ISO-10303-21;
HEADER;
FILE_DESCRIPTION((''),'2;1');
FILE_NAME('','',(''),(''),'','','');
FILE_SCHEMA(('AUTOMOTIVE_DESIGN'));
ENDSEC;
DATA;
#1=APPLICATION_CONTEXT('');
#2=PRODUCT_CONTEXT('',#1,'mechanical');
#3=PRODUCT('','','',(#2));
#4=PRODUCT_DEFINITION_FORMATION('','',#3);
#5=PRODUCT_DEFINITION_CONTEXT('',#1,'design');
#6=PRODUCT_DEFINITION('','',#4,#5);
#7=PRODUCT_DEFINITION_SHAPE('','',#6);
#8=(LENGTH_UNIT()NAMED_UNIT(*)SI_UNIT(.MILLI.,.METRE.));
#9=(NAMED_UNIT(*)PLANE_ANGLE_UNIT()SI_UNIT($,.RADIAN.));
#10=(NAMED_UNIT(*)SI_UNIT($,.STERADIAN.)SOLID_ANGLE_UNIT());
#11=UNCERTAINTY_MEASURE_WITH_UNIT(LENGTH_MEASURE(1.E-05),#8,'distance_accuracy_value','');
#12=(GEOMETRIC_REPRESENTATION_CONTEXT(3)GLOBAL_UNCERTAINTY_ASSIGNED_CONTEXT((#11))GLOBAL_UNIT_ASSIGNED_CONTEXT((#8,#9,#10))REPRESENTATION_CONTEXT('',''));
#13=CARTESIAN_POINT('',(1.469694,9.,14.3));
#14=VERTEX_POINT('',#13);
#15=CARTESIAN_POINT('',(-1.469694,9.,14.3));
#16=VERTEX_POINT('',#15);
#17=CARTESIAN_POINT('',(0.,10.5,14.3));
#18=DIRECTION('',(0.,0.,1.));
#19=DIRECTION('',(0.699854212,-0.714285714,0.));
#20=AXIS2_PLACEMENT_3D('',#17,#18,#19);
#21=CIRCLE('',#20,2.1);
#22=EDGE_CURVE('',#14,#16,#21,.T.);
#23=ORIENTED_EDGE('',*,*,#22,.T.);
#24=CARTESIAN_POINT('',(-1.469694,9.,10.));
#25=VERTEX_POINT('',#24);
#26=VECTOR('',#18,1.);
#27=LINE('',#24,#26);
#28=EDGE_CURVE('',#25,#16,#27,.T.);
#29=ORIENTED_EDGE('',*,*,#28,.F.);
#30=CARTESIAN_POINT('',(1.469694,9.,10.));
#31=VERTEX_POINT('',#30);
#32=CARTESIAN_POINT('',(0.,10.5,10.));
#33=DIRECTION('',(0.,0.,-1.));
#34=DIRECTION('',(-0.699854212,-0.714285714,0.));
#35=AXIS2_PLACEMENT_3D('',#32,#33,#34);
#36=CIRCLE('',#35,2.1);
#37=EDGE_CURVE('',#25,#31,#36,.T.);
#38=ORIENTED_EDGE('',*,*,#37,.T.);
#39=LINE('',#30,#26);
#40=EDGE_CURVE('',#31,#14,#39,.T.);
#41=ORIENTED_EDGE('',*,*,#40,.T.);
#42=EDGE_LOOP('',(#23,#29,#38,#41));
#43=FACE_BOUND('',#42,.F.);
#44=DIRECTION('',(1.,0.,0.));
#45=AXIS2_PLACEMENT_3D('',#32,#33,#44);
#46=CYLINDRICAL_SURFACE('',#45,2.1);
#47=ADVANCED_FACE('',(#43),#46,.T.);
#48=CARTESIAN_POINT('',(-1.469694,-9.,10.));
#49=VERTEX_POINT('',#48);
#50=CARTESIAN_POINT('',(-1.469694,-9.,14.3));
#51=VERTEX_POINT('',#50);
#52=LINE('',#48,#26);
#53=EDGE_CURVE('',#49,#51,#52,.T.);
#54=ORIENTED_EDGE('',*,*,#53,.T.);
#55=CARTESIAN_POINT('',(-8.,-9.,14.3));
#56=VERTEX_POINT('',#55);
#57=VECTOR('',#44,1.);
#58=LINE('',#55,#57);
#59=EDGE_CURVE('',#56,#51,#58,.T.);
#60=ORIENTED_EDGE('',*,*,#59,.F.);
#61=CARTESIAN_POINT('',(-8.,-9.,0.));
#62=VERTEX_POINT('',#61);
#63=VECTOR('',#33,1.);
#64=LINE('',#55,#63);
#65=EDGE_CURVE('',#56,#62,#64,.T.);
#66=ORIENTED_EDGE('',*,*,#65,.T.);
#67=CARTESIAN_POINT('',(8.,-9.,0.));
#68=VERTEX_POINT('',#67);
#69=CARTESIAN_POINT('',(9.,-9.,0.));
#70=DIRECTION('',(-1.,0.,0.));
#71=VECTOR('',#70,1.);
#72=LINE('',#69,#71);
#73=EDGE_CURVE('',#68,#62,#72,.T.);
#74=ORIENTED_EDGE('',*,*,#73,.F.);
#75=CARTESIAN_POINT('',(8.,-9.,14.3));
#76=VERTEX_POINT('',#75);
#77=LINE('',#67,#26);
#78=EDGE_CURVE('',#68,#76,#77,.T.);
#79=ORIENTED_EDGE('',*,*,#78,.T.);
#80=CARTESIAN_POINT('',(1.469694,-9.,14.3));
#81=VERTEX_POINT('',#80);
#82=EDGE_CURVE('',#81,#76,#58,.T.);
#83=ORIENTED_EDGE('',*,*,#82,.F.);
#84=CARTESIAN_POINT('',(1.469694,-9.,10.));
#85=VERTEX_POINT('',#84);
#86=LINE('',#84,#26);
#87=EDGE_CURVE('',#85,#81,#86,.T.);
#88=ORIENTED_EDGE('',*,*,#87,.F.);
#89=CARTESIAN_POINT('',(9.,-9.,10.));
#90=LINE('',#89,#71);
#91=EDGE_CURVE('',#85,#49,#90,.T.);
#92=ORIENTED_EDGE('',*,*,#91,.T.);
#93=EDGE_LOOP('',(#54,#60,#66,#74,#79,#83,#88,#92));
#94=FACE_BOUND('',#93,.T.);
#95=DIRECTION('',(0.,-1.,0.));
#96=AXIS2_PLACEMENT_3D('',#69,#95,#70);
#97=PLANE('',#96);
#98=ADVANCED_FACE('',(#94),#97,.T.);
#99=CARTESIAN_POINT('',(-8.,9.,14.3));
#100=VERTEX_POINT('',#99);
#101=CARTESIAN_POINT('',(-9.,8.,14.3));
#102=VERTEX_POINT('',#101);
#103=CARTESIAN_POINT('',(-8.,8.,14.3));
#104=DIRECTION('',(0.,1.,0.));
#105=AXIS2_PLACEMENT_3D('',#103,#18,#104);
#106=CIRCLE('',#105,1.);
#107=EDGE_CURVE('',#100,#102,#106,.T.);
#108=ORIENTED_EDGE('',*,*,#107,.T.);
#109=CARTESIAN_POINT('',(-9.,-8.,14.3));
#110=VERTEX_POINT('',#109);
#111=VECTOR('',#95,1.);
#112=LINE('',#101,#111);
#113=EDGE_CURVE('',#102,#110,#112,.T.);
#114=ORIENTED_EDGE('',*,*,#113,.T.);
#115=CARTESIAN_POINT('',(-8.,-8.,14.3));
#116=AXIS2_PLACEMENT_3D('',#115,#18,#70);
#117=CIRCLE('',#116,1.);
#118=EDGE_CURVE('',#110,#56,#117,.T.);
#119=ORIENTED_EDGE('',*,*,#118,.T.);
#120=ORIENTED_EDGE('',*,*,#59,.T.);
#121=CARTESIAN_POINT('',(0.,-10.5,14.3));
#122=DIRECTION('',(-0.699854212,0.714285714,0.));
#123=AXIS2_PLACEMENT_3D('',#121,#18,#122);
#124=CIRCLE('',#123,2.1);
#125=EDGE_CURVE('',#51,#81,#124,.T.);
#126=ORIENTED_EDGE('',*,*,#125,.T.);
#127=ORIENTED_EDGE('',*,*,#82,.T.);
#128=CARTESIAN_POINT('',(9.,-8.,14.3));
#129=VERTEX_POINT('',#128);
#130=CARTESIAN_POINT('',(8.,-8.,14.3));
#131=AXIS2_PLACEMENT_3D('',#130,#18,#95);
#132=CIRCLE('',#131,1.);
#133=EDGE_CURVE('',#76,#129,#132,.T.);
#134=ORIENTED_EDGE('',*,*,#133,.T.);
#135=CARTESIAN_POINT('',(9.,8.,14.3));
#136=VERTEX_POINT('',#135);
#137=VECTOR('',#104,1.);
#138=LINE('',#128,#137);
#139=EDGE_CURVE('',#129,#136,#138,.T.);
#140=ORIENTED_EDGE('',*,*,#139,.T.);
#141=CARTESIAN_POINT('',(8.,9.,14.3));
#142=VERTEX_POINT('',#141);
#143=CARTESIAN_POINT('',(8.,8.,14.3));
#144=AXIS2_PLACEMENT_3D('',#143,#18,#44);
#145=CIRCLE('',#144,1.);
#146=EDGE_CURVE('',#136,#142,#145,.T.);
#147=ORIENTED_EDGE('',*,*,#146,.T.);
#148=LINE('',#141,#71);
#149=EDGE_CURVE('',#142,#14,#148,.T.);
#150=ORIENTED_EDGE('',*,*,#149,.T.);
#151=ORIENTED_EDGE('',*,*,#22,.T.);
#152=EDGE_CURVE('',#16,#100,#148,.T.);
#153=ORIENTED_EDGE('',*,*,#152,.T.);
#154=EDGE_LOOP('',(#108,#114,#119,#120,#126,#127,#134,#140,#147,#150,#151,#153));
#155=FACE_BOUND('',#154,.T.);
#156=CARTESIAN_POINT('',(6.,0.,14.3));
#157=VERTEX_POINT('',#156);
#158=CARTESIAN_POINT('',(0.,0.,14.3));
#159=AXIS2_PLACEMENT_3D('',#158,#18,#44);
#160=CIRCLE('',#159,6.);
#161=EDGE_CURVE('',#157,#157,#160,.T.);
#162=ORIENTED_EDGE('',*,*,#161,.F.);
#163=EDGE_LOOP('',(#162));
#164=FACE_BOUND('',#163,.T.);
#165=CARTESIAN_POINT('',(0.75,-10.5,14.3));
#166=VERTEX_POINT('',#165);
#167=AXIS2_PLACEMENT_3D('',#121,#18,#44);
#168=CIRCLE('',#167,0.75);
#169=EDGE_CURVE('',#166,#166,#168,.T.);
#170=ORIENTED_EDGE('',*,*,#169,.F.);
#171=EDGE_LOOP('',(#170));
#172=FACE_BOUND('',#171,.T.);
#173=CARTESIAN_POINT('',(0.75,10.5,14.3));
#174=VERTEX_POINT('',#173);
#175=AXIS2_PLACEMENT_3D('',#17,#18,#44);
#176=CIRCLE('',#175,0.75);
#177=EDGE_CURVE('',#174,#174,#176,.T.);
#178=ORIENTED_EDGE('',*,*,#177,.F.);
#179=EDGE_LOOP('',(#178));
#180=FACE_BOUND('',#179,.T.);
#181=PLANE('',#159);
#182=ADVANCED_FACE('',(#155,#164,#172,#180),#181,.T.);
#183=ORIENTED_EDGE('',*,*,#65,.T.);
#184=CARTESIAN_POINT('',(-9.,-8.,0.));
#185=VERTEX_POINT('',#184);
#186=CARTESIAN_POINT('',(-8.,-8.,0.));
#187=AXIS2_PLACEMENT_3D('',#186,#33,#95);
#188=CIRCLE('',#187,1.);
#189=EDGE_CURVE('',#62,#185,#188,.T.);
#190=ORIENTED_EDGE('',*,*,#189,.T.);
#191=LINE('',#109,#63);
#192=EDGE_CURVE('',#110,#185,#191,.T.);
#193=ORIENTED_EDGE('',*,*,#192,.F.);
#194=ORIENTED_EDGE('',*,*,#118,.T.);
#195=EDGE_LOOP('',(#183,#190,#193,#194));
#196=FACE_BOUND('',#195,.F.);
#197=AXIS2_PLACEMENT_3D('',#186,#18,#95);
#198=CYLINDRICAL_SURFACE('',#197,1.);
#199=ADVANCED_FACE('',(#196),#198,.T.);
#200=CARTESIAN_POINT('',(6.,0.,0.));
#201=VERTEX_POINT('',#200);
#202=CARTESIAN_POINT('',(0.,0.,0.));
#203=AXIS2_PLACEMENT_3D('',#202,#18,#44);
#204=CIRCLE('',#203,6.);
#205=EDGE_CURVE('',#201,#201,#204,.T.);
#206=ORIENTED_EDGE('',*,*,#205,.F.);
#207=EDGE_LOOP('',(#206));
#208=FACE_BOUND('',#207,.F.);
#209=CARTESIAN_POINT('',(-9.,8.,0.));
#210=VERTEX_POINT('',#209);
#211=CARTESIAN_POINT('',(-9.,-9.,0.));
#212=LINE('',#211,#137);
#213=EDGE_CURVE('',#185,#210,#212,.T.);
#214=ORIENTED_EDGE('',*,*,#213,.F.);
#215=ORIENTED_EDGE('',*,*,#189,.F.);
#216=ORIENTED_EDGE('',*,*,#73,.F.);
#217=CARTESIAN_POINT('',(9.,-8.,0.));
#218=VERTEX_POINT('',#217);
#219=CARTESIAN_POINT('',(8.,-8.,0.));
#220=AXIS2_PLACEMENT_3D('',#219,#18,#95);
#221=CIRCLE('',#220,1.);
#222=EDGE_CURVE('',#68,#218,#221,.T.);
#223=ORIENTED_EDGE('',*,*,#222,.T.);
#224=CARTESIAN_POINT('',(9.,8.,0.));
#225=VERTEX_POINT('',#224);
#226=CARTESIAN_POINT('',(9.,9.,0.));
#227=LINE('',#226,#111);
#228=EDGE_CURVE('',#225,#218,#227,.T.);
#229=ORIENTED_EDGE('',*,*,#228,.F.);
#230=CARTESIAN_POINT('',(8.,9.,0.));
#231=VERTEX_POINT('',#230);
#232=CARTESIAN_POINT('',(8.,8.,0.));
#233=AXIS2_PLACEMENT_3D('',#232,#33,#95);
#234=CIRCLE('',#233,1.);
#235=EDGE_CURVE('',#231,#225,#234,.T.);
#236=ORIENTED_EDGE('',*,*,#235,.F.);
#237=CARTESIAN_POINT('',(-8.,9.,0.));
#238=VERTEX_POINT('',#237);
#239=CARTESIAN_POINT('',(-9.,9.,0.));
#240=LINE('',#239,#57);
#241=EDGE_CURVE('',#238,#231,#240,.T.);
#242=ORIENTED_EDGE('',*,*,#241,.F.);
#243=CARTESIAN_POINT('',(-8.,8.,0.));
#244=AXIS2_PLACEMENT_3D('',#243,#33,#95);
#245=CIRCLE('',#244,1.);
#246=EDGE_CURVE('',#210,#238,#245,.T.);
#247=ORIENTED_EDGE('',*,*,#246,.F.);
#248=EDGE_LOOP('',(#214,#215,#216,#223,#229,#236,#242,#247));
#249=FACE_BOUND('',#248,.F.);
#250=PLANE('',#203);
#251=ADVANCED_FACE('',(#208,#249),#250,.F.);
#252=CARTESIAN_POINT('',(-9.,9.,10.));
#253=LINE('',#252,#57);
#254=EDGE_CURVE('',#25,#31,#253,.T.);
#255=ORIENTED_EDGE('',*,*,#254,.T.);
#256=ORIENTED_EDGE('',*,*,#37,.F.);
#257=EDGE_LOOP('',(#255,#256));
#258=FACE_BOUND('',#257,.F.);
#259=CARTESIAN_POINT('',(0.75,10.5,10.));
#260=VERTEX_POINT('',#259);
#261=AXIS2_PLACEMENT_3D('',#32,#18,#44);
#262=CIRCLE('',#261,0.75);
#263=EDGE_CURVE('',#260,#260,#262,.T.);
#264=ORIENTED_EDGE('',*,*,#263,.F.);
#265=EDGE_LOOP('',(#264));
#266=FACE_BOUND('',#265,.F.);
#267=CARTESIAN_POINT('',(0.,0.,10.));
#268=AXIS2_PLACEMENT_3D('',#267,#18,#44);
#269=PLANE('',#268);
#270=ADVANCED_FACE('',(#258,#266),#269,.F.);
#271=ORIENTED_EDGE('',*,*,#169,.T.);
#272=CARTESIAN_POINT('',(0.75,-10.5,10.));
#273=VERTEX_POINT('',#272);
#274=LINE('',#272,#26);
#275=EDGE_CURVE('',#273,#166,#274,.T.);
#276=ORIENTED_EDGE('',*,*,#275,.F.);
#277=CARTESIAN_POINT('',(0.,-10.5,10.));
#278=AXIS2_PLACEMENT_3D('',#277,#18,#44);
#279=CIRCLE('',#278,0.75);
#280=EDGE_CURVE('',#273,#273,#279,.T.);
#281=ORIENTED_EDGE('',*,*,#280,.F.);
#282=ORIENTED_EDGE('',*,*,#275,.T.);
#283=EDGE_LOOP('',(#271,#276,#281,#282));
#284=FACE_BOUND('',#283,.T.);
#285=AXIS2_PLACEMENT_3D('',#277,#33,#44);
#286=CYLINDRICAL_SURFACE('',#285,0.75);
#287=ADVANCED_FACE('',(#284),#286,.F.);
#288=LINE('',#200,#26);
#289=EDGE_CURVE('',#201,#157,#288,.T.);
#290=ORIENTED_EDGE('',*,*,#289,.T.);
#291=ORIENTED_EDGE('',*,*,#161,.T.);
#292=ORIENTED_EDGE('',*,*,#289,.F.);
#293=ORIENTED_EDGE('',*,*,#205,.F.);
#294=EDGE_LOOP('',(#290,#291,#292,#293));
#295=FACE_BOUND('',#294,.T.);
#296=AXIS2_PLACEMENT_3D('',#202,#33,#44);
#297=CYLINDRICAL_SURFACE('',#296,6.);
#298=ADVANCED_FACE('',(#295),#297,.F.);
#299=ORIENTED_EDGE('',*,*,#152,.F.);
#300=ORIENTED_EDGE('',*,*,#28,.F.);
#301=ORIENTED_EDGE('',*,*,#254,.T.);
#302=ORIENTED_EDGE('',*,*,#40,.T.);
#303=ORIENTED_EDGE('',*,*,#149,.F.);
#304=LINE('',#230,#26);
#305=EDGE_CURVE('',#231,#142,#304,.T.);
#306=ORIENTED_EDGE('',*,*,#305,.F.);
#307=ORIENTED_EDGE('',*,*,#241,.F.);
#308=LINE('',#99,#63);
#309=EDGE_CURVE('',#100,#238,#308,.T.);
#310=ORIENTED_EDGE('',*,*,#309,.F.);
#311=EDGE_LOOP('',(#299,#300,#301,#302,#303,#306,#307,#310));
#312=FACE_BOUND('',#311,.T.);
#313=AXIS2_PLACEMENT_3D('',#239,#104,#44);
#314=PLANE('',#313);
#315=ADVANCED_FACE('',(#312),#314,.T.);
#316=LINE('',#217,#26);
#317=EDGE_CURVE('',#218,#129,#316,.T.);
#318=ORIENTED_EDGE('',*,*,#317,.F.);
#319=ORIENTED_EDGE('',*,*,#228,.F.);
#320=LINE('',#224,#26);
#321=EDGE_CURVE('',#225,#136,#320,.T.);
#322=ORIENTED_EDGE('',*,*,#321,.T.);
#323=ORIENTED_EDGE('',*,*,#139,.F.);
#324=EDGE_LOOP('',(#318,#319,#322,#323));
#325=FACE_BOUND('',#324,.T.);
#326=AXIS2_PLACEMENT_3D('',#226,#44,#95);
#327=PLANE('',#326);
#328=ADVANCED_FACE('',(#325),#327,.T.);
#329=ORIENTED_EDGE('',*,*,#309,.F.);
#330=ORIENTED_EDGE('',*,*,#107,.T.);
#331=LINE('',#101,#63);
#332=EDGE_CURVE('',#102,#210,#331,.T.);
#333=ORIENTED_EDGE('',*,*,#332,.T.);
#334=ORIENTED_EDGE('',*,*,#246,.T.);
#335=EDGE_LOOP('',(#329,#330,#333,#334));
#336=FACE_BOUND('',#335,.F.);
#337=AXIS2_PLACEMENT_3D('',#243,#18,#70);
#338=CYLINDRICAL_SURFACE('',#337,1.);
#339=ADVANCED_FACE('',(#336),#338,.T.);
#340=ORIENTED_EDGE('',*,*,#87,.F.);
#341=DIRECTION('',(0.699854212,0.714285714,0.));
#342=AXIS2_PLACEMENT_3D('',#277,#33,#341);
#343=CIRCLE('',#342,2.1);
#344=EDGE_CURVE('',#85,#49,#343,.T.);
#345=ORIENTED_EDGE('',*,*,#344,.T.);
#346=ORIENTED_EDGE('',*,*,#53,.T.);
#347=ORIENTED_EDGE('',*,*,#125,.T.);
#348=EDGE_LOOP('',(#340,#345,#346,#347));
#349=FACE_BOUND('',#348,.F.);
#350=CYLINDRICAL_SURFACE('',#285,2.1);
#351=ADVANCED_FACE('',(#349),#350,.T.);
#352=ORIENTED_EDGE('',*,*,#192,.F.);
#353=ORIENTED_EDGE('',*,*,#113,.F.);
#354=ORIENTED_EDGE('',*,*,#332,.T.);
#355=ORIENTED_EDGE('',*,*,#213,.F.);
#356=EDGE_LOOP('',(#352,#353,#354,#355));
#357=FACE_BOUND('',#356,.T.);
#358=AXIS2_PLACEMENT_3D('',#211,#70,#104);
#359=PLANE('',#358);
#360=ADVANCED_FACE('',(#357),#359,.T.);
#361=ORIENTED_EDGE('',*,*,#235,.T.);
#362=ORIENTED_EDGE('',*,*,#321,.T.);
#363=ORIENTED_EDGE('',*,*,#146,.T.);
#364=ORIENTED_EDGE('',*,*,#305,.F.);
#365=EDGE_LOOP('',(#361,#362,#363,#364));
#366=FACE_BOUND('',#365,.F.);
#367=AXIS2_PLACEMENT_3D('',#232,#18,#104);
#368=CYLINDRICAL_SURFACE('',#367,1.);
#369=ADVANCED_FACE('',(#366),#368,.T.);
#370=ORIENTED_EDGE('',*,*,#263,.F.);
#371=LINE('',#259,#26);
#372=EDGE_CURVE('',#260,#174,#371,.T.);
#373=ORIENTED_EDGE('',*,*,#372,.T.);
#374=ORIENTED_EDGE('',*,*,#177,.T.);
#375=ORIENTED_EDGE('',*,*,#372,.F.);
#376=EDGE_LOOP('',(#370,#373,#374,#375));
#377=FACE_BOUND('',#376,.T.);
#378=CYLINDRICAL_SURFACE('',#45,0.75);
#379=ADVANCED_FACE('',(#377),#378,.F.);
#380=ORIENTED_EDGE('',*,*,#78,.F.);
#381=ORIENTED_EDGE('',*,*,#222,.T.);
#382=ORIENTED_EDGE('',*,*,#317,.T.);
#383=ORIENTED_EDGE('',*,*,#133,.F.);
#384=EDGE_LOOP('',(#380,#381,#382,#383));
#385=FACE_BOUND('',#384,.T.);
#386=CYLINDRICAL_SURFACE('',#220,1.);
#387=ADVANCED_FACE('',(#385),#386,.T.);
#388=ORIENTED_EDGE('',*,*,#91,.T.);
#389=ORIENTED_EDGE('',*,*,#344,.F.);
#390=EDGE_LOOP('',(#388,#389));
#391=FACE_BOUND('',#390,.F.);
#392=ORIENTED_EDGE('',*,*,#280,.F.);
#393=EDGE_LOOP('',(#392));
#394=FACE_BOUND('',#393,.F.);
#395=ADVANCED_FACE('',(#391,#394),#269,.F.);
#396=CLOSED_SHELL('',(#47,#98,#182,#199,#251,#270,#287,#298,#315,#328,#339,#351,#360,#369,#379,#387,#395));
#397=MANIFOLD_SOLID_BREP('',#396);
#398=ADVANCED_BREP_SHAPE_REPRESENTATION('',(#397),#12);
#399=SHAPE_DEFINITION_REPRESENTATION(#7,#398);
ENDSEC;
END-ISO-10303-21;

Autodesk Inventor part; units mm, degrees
ref_plane "YZ Plane" through (0, 0, 0) normal (1, 0, 0) x (0, 1, 0)
ref_plane "XZ Plane" through (0, 0, 0) normal (0, 1, 0) x (-1, 0, 0)
ref_plane "XY Plane" through (0, 0, 0) normal (0, 0, 1) x (1, 0, 0)
sketch "Skizze1" plane through (0, 0, 0) normal (0, 0, 1) x (1, 0, 0)
  line L0 (9, -9) -> (-9, -9)
  line L1 (-9, -9) -> (-9, 9)
  line L2 (-9, 9) -> (9, 9)
  line L3 (9, 9) -> (9, -9)
  line L4 (9, -9) -> (-9, 9) construction
  line L5 (-9, -9) -> (9, 9) construction
  circle A0 centre (0, 0) radius 6
  dimension "d0" = 18
  dimension "d1" = 18
  dimension "d2" = 12
extrude "Extrusion1" add sketch "Skizze1" along normal blind 10
fillet "Rundung1" radius 1 4 edges at (9, 9, 5) (-9, 9, 5) (9, -9, 5) (-9, -9, 5)
sketch "Skizze2" plane through (0, 0, 10) normal (0, 0, 1) x (1, 0, 0)
  arc A0 (-9, -8) -> (-8, -9) centre (-8, -8) ccw projected
  line L0 (-8, -9) -> (8, -9) projected
  arc A1 (8, -9) -> (9, -8) centre (8, -8) ccw projected
  line L1 (9, -8) -> (9, 8) projected
  arc A2 (9, 8) -> (8, 9) centre (8, 8) ccw projected
  line L2 (8, 9) -> (-8, 9) projected
  arc A3 (-8, 9) -> (-9, 8) centre (-8, 8) ccw projected
  line L3 (-9, 8) -> (-9, -8) projected
  circle A4 centre (0, 0) radius 6 projected
  circle A5 centre (0, 10.5) radius 0.75
  circle A6 centre (0, -10.5) radius 0.75
  circle A7 centre (0, 10.5) radius 2.1
  circle A8 centre (0, -10.5) radius 2.1
  point P0 (-1.4697, -9)
  point P1 (1.4697, -9)
  point P2 (1.4697, 9)
  point P3 (-1.4697, 9)
  dimension "d6" = 1.5
  dimension "d7" = 1.5
  dimension "d8" = 10.5
  dimension "d9" = 10.5
  dimension "d10" = 4.2
  dimension "d11" = 4.2
extrude "Extrusion2" add sketch "Skizze2" along normal blind 4.3
properties part number "00_CCTV_M12_VCM_large"
